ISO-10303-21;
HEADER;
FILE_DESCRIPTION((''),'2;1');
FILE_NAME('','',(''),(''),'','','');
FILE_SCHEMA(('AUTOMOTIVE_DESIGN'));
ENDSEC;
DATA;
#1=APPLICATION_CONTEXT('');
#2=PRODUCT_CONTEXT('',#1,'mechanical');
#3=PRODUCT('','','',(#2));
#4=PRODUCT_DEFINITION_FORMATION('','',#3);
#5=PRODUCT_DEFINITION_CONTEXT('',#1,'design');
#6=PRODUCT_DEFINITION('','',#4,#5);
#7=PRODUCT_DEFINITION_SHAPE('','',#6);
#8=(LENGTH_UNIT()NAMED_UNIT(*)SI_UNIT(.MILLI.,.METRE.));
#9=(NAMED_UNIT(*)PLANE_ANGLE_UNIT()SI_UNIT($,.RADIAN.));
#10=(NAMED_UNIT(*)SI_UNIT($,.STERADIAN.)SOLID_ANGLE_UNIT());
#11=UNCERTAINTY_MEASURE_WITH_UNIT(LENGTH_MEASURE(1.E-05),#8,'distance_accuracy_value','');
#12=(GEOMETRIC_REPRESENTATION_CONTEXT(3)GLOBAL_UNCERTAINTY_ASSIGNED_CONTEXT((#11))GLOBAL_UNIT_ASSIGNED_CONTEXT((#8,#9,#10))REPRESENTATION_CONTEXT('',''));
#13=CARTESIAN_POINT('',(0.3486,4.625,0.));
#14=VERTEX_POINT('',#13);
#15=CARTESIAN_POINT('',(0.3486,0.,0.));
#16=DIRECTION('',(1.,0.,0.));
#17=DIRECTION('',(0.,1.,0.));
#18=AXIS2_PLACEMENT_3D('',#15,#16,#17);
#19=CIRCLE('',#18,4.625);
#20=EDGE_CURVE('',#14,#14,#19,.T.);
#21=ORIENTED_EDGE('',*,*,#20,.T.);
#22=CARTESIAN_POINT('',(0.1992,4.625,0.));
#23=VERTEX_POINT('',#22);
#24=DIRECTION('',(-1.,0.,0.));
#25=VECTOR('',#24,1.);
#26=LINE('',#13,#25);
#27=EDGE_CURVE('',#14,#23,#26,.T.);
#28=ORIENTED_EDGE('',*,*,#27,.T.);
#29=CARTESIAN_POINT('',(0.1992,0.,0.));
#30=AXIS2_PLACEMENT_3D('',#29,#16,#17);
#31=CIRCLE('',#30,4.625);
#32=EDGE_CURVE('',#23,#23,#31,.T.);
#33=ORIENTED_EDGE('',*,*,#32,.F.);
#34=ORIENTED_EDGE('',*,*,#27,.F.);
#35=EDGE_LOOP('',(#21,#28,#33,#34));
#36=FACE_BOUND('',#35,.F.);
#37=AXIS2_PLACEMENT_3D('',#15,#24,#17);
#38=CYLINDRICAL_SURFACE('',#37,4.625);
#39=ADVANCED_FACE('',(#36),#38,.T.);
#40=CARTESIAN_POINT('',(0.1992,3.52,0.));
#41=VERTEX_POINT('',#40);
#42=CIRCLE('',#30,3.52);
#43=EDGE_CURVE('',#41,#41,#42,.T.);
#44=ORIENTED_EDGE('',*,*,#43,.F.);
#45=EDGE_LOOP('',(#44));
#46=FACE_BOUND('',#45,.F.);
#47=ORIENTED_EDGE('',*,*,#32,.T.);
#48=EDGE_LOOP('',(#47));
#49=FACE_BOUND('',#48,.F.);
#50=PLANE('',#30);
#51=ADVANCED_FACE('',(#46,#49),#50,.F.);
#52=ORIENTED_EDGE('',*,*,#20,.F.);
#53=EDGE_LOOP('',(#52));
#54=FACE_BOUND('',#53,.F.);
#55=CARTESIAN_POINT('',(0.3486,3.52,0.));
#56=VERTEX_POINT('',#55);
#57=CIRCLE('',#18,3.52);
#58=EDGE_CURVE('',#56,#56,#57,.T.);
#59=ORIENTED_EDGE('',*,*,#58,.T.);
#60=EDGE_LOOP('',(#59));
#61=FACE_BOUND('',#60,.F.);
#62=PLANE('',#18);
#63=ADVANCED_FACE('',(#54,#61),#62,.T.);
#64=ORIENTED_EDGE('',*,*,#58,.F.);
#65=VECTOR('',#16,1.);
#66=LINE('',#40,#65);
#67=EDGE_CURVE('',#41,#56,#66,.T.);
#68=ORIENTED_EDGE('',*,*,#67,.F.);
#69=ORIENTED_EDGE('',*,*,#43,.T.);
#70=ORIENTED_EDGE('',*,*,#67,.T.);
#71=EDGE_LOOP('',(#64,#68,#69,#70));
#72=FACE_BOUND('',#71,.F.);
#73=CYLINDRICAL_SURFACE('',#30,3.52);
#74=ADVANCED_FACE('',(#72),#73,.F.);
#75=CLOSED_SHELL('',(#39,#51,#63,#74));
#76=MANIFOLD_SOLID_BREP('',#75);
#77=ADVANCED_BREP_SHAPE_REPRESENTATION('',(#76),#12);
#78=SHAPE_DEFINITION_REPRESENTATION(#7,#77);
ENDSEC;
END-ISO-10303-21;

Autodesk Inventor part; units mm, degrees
sketch "Sketch_1" plane through (0, 0, 0) normal (0, 0, 1) x (1, 0, 0)
  line L0 (0.3486, 0) -> (0.1992, 0)
  line L1 (0.1992, 3.52) -> (0.3486, 3.52)
  line L2 (0.3486, 3.52) -> (0.3486, 4.625)
  line L3 (0.3486, 4.625) -> (0.1992, 4.625)
  line L4 (0.1992, 4.625) -> (0.1992, 3.52)
revolve "Revolution1" add sketch "Sketch_1" angle 360 about axis through (0.3486, 0, 0) along (1, 0, 0)
ref_plane "ip_st_s1_XY" through (0.1992, 0, 0) normal (1, 0, 0) x (0, 0, -1)
ref_plane "ip_st_s1_YZ" through (0.1992, 0, 0) normal (0, 0, -1) x (0, 1, 0)
ref_plane "ip_st_s1_ZX" through (0.1992, 0, 0) normal (0, 1, 0) x (1, 0, 0)
properties part number "MR106ZZ1 Shield1"
